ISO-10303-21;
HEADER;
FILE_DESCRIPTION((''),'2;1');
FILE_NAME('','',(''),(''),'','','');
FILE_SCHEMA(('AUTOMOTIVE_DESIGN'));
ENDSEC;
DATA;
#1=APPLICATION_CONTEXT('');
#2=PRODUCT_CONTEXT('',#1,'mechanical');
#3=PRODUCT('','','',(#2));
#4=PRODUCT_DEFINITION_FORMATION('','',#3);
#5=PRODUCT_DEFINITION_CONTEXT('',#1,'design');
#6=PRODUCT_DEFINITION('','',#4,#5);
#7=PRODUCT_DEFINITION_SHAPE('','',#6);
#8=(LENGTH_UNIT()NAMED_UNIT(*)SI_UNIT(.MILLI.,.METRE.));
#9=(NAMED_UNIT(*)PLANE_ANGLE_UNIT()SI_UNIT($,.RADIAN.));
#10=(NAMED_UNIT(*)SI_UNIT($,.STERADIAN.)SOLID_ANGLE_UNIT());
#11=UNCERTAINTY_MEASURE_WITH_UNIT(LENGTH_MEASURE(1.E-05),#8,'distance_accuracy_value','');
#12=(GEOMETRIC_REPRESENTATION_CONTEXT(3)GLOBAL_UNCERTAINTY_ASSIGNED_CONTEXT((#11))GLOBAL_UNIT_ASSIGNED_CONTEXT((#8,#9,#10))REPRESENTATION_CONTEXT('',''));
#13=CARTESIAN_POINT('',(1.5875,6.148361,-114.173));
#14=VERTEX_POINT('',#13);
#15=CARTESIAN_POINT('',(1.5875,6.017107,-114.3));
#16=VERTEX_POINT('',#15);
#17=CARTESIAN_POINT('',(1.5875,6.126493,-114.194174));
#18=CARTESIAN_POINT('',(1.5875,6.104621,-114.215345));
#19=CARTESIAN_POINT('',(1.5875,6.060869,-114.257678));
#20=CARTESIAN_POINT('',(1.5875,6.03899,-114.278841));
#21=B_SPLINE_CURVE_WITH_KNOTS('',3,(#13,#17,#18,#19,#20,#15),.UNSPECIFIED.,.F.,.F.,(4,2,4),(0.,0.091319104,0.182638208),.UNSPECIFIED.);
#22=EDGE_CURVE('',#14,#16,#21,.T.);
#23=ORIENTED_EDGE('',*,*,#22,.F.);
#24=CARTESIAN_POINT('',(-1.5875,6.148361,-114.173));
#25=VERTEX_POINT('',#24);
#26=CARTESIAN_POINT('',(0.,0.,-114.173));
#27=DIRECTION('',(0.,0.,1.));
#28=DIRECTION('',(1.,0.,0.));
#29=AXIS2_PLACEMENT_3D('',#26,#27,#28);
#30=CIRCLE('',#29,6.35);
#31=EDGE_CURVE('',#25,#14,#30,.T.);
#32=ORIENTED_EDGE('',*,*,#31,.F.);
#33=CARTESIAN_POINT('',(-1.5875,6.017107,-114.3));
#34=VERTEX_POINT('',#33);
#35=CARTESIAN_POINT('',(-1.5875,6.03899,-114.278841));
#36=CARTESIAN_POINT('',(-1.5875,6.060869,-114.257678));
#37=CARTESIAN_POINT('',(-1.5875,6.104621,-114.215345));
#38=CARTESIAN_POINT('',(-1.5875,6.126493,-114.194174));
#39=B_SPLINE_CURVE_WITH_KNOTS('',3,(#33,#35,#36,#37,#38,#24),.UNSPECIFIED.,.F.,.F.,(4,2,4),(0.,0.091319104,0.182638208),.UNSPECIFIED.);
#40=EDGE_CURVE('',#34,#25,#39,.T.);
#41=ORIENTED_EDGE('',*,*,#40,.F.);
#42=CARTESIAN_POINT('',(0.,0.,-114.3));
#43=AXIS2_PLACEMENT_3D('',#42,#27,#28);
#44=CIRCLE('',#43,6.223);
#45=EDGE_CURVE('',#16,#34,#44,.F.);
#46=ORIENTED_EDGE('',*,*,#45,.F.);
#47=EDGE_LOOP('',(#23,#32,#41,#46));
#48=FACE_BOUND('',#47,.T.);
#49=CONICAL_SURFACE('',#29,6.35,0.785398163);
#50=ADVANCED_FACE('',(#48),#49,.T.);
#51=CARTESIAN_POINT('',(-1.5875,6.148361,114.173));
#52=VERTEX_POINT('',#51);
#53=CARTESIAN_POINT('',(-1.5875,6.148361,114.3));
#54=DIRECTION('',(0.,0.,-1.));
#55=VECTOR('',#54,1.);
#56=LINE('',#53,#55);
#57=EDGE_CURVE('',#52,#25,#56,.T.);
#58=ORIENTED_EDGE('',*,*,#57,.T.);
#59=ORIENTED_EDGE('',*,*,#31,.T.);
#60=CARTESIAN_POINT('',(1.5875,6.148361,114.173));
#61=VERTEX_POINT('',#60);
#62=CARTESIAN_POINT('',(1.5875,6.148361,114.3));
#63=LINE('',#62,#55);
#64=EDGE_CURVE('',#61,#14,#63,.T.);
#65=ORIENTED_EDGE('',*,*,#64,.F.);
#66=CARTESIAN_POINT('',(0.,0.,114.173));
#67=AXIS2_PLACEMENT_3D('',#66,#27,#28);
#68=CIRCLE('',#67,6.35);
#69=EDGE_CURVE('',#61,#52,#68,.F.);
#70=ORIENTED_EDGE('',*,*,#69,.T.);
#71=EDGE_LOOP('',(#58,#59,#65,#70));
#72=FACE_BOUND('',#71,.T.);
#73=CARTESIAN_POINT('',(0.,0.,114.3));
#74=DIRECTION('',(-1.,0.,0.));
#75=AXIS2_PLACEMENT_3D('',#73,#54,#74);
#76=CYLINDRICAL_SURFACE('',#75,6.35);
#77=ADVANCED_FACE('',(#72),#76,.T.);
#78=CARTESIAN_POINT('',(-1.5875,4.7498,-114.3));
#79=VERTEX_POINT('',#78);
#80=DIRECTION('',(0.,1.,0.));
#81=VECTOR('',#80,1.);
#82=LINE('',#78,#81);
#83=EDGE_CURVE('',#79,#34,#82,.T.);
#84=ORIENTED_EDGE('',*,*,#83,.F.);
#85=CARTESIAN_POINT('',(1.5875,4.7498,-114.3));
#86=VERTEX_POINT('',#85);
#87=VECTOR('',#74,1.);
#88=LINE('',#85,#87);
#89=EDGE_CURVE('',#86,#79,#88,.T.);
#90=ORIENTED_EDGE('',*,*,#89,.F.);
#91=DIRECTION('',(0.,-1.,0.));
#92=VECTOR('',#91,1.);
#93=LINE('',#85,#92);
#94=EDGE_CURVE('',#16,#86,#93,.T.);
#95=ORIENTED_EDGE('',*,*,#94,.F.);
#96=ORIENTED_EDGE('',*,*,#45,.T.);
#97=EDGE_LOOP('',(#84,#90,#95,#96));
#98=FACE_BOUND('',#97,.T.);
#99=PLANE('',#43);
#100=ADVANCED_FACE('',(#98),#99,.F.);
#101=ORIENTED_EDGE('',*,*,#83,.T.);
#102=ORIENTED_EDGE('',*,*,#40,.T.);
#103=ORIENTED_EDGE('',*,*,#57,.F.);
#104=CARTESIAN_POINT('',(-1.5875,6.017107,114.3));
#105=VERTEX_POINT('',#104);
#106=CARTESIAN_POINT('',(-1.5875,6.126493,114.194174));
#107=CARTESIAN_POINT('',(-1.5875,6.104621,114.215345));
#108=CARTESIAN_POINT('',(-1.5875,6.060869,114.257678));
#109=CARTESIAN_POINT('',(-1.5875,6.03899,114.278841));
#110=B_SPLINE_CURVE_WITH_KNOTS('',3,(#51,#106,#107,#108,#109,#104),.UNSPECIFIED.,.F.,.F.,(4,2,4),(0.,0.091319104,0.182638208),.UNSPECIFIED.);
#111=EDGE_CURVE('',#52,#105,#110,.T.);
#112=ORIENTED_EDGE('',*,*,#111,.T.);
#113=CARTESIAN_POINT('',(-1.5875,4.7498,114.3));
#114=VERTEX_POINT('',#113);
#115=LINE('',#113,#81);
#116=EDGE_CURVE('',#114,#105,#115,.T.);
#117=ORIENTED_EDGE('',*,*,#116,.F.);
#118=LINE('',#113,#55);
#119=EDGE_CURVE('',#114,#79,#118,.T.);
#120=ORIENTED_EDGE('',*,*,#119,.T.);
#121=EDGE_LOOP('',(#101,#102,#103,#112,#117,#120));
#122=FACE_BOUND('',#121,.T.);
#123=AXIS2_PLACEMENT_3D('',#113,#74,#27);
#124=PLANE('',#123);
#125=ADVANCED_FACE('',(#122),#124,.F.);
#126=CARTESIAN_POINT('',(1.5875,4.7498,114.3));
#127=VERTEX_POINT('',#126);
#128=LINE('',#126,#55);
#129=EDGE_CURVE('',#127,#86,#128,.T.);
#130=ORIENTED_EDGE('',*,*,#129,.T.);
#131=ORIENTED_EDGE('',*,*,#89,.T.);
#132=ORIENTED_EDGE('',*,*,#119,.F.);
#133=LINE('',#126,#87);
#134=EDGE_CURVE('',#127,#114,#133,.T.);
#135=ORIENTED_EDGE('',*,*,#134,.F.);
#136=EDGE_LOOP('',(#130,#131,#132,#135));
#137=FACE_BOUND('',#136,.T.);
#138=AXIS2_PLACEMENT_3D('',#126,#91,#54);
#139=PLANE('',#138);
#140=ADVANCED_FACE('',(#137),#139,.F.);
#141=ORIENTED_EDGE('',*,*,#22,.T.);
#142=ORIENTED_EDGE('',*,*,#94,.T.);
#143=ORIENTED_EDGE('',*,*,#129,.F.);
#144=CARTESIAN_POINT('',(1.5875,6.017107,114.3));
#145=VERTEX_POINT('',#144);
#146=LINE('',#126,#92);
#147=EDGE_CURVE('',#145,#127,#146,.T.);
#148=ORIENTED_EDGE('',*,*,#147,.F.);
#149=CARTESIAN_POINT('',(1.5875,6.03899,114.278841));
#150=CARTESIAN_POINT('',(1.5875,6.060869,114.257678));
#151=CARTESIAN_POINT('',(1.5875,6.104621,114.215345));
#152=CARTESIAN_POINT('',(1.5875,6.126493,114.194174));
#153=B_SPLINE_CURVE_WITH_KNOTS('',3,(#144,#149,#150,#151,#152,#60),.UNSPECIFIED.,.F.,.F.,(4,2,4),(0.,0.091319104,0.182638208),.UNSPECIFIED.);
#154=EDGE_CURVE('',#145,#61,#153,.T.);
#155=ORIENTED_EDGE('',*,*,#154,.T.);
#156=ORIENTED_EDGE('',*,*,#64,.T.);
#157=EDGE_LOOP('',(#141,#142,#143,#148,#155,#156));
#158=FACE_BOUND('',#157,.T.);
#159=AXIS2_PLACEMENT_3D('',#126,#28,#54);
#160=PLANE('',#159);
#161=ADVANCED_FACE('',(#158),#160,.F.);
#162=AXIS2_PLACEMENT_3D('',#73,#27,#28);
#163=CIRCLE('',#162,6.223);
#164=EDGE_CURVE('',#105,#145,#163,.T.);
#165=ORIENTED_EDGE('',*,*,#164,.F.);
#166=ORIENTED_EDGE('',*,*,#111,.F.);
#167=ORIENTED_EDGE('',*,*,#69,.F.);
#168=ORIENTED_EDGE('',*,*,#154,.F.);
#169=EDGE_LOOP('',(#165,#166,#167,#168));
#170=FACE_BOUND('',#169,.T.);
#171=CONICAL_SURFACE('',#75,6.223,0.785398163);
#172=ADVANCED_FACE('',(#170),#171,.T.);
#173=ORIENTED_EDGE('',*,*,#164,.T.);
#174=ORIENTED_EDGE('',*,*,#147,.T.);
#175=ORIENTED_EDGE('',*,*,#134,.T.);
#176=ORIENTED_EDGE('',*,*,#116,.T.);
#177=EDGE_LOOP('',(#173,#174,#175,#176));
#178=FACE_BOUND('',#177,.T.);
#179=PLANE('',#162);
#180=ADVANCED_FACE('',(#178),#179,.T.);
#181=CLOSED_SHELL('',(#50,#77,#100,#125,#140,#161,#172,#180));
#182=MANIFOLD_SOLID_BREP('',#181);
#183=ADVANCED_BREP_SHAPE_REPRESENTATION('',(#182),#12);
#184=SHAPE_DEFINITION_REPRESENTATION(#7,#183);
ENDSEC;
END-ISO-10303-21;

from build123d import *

# Parameters (mm, degrees)
BOSS_EXTRUDE1_DEPTH      = 114.3
BOSS_EXTRUDE1_DEPTH_BACK = 114.3
CHAMFER1_SIZE            = 0.127


with BuildPart() as part:
    # Sketch3 → Boss-Extrude1 (new, two sides: drawn at the far end of the back side and taken through both)
    with BuildSketch(Plane.XY.offset(-BOSS_EXTRUDE1_DEPTH_BACK)):
        with BuildLine():
            Line((-1.5875, 4.7498), (-1.5875, 6.148361062))
            ThreePointArc((-1.5875, 6.148361062), (0, -6.35), (1.5875, 6.148361062))
            Line((1.5875, 6.148361062), (1.5875, 4.7498))
            Line((1.5875, 4.7498), (-1.5875, 4.7498))
        make_face()
    extrude(amount=BOSS_EXTRUDE1_DEPTH + BOSS_EXTRUDE1_DEPTH_BACK)

    # Chamfer1
    chamfer1_edges = [part.edges().sort_by_distance(p)[0] for p in [
        (0, -6.35, -114.3),
        (0, -6.35, 114.3),
    ]]
    chamfer(chamfer1_edges, length=CHAMFER1_SIZE)


solid = part.part
